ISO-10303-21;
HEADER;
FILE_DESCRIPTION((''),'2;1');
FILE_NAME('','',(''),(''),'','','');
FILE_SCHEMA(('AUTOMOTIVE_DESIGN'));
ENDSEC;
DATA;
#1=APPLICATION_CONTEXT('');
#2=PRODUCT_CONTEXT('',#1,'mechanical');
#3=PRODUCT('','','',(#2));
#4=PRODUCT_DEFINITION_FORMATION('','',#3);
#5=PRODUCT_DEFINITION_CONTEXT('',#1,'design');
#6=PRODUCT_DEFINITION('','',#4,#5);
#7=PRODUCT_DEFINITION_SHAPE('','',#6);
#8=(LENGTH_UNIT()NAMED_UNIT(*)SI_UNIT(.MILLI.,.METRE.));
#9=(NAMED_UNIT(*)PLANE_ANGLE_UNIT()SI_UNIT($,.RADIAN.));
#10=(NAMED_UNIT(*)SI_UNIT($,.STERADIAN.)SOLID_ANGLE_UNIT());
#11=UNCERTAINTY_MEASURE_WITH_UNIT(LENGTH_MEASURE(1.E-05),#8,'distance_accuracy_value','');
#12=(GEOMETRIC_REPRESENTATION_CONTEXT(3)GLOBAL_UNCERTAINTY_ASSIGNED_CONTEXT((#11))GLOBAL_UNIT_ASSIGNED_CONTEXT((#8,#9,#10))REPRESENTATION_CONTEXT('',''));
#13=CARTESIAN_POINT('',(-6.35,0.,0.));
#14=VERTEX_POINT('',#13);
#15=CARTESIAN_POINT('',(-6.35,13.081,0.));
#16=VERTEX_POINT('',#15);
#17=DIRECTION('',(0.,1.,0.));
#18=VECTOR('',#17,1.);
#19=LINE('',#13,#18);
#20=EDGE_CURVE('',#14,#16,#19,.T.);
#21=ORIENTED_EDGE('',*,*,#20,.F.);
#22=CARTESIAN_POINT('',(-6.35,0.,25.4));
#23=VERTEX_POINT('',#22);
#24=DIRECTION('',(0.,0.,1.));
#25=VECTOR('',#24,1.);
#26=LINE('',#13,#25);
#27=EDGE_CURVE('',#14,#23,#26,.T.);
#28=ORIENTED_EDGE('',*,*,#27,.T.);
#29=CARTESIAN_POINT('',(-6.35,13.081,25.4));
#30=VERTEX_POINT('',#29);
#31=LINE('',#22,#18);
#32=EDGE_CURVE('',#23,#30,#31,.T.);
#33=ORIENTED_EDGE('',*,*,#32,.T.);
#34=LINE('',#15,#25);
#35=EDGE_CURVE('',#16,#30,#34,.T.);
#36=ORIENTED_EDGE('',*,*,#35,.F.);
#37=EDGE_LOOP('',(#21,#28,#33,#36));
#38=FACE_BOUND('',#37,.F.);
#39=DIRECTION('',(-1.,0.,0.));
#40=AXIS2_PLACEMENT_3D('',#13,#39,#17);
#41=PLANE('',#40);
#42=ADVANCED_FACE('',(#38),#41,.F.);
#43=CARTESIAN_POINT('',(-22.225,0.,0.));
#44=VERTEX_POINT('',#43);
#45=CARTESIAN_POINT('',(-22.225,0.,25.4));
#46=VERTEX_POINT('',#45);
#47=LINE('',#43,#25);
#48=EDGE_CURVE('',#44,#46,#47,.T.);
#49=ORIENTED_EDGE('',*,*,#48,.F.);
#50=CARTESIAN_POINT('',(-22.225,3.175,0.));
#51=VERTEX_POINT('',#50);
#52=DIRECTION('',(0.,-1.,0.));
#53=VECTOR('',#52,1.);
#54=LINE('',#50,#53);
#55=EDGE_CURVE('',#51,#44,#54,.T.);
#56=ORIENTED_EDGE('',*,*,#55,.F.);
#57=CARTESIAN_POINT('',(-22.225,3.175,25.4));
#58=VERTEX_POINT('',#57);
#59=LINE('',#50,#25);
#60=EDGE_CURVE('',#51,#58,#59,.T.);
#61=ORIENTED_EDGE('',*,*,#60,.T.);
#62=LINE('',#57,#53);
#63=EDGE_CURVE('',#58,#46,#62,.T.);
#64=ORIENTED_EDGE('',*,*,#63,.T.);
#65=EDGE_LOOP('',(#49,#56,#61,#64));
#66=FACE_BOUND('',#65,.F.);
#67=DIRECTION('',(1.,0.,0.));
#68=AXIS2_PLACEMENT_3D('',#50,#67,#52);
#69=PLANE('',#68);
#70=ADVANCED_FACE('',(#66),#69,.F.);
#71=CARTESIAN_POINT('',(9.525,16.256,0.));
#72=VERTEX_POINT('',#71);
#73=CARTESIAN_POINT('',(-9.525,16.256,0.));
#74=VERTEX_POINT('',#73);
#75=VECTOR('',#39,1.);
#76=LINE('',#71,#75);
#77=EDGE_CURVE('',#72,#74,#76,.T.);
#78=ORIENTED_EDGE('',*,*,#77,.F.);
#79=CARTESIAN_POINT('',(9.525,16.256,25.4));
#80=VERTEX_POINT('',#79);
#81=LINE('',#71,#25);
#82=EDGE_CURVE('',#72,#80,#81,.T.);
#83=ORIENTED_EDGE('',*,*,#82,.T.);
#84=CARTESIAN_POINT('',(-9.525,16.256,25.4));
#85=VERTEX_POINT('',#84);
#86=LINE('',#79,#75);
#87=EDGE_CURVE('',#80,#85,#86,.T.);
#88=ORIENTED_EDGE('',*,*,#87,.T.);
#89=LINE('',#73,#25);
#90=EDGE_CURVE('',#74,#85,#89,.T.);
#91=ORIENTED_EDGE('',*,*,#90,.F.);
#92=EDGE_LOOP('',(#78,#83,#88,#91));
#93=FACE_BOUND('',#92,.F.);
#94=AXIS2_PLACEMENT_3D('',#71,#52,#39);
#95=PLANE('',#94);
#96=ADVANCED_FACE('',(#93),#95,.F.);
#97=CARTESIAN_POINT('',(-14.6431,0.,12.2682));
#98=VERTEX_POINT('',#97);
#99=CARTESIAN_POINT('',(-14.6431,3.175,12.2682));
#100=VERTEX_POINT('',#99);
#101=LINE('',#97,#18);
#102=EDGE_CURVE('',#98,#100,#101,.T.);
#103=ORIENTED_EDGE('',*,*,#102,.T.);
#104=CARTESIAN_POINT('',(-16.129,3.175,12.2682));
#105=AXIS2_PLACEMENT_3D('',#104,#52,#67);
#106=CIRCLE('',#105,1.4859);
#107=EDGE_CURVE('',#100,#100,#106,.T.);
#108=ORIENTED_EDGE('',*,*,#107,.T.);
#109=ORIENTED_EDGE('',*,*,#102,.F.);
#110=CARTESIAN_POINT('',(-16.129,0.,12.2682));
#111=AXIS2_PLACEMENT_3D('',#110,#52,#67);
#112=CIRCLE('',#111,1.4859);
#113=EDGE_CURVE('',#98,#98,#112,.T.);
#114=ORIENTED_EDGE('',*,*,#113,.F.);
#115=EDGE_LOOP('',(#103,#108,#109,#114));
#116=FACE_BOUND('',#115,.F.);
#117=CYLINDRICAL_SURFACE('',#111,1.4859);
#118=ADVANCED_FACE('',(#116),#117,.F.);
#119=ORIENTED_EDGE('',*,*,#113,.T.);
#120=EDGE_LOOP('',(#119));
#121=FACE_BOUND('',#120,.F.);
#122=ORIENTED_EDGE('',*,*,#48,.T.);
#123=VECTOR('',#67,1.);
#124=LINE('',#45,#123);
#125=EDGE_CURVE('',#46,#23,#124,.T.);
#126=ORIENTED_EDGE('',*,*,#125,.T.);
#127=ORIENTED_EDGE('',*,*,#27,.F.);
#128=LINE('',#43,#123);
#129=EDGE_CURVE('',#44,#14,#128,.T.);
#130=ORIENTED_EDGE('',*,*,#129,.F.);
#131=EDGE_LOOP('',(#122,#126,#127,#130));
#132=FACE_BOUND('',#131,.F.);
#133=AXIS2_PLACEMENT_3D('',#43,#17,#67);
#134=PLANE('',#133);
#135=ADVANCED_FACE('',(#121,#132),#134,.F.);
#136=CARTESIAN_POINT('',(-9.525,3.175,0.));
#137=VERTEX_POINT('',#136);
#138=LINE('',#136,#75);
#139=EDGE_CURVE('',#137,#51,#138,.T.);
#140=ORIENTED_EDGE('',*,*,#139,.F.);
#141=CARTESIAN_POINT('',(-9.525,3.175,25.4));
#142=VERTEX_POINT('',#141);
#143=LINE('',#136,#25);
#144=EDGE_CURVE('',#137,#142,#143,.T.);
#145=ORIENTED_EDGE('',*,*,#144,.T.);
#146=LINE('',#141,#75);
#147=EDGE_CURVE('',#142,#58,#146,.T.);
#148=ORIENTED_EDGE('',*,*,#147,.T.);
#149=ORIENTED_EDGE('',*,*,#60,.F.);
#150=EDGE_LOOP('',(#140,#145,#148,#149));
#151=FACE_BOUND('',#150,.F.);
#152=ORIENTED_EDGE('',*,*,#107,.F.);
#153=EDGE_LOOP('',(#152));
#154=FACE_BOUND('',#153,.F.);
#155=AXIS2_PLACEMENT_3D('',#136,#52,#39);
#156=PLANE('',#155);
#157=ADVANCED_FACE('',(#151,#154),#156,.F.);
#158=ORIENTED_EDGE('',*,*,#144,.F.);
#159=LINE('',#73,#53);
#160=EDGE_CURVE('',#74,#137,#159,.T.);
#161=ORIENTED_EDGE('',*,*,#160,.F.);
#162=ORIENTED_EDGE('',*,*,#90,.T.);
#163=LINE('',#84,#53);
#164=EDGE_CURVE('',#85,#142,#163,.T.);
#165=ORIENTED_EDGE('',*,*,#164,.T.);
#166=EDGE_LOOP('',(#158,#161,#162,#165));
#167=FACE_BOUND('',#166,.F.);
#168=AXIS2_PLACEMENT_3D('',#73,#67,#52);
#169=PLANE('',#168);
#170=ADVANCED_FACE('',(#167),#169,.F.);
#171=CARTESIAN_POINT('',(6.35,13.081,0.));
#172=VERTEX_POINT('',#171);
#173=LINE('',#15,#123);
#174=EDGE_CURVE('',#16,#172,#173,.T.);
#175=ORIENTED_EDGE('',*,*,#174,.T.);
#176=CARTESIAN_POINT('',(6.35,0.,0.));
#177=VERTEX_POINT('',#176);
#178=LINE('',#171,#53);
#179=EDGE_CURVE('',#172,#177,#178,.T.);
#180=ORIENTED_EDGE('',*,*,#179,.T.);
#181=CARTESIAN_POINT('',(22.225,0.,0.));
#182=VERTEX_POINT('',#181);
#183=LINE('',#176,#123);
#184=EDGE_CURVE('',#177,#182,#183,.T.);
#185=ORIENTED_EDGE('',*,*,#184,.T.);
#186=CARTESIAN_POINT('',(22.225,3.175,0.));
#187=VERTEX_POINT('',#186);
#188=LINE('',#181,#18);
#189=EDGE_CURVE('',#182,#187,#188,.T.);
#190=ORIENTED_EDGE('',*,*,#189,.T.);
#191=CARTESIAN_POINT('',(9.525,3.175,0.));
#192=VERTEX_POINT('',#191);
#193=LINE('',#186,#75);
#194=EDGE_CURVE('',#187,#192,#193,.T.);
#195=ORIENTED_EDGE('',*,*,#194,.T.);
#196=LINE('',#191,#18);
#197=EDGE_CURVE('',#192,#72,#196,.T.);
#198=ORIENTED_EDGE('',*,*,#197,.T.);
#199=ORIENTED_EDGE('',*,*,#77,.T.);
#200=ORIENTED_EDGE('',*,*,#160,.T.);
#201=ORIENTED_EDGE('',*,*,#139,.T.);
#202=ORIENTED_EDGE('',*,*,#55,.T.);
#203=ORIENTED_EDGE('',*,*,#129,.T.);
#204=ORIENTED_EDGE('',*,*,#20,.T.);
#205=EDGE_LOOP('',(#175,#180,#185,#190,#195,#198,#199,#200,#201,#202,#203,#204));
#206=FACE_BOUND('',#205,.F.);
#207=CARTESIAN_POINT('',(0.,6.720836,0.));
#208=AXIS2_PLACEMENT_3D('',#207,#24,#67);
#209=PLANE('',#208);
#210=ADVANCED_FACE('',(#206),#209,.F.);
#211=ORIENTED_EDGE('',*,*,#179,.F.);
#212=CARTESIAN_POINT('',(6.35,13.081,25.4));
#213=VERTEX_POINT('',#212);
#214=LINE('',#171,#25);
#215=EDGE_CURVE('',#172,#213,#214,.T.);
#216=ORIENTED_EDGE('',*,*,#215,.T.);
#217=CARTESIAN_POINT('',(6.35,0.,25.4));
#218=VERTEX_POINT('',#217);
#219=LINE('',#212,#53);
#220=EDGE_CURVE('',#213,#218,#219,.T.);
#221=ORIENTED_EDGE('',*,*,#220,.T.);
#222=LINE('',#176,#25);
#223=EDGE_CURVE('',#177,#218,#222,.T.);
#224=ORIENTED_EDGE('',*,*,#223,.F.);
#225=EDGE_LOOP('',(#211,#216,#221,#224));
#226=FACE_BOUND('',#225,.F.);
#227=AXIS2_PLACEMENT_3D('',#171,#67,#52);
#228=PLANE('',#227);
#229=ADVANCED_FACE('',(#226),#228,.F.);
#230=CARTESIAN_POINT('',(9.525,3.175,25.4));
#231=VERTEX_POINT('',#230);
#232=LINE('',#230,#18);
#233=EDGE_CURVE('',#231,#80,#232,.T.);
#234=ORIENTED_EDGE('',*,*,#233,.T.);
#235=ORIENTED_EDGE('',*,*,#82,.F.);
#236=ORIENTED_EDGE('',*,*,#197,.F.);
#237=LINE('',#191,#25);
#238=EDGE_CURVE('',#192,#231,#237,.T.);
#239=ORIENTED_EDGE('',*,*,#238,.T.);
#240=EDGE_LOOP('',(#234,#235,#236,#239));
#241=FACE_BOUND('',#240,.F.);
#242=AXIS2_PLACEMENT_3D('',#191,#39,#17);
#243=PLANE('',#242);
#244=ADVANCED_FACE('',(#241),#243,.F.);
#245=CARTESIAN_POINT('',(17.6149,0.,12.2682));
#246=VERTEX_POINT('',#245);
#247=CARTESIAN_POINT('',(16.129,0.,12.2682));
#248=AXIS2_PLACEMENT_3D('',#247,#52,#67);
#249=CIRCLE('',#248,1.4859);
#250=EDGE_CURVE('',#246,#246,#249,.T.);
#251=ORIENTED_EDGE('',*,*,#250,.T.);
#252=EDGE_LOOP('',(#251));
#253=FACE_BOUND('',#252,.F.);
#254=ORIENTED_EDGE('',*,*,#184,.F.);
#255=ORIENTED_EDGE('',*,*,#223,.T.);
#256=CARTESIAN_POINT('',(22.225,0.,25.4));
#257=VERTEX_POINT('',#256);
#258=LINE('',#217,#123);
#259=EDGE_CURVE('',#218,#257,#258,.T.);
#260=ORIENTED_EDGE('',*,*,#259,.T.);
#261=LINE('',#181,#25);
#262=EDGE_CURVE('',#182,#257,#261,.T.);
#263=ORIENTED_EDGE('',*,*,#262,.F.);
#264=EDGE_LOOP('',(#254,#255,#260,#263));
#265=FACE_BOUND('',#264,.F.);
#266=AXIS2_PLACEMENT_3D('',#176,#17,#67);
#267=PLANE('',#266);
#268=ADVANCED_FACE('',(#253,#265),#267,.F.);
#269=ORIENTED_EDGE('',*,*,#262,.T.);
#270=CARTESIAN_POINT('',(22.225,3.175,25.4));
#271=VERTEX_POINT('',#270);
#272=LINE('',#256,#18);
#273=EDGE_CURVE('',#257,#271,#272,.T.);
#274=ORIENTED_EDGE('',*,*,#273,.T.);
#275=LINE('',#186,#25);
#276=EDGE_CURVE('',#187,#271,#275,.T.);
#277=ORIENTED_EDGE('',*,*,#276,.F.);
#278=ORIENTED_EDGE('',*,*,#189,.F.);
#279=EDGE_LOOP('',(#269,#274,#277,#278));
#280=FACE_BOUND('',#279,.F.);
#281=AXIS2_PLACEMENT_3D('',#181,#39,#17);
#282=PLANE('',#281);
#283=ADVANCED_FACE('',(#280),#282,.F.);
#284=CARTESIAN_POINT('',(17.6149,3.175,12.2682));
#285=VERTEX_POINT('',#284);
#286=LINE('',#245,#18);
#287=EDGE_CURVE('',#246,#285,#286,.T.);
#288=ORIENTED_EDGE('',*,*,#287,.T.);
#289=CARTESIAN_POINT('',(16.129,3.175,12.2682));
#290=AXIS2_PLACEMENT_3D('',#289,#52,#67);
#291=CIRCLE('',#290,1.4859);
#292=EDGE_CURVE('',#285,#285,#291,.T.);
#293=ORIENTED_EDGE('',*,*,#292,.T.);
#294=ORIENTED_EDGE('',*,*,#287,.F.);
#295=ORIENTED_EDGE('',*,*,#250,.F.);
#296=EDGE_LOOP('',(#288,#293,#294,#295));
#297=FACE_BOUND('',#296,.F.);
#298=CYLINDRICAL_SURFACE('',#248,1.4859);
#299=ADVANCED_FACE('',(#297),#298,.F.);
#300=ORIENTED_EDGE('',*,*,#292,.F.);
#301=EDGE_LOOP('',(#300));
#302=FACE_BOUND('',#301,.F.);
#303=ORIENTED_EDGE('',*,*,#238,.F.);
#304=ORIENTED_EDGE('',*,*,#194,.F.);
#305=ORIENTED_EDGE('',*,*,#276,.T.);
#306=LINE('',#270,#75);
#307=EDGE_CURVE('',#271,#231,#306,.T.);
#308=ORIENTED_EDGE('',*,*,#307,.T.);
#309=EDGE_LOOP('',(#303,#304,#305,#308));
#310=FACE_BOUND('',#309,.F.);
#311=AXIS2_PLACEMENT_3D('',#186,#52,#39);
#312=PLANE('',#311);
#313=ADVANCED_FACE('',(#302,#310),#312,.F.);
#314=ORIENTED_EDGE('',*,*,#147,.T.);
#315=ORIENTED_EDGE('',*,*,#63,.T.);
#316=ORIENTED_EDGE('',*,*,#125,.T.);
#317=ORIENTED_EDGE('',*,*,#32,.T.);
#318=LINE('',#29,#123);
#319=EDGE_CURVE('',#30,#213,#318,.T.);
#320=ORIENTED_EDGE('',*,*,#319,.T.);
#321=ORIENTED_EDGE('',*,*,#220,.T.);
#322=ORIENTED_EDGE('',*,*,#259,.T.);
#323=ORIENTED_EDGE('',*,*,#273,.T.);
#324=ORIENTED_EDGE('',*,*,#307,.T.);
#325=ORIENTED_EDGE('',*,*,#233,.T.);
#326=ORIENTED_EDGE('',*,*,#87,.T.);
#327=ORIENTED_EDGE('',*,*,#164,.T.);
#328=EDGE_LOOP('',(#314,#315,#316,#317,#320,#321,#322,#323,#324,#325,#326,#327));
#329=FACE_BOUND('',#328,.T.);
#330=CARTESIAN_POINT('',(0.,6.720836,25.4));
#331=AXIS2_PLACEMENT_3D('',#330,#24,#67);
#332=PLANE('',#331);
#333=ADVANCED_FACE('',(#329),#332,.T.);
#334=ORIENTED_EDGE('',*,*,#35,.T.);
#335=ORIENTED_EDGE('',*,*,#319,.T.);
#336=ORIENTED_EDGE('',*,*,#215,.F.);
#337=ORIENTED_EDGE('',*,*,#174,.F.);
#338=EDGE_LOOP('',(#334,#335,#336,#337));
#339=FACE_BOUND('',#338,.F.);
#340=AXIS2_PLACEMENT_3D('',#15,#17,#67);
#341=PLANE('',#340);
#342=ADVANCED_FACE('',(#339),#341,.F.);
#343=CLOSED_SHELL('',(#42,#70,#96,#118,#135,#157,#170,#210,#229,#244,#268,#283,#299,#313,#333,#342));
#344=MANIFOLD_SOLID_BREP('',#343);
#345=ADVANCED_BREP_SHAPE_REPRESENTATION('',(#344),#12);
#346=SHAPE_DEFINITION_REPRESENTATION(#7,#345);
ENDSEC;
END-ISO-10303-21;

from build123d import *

# Parameters (mm, degrees)
F1_DEPTH = 25.4
F2_R     = 1.4859
F3_DEPTH = 16.257


with BuildPart() as f1:
    # F0 (on Top) → F1 (new body)
    with BuildSketch(Plane.XY):
        Polygon((-22.225, 3.175), (-22.225, 0), (-6.35, 0), (-6.35, 13.081), (6.35, 13.081), (6.35, 0), (22.225, 0), (22.225, 3.175), (9.525, 3.175), (9.525, 16.256), (-9.525, 16.256), (-9.525, 3.175), align=None)
    extrude(amount=F1_DEPTH)

    # F2 (on face) → F3 (cut, through all)
    with BuildSketch(Plane.XZ):
        with Locations((-16.129, 12.2682)):
            Circle(F2_R)
        with Locations((16.129, 12.2682)):
            Circle(F2_R)
    extrude(amount=-F3_DEPTH, mode=Mode.SUBTRACT)


solid = f1.part
